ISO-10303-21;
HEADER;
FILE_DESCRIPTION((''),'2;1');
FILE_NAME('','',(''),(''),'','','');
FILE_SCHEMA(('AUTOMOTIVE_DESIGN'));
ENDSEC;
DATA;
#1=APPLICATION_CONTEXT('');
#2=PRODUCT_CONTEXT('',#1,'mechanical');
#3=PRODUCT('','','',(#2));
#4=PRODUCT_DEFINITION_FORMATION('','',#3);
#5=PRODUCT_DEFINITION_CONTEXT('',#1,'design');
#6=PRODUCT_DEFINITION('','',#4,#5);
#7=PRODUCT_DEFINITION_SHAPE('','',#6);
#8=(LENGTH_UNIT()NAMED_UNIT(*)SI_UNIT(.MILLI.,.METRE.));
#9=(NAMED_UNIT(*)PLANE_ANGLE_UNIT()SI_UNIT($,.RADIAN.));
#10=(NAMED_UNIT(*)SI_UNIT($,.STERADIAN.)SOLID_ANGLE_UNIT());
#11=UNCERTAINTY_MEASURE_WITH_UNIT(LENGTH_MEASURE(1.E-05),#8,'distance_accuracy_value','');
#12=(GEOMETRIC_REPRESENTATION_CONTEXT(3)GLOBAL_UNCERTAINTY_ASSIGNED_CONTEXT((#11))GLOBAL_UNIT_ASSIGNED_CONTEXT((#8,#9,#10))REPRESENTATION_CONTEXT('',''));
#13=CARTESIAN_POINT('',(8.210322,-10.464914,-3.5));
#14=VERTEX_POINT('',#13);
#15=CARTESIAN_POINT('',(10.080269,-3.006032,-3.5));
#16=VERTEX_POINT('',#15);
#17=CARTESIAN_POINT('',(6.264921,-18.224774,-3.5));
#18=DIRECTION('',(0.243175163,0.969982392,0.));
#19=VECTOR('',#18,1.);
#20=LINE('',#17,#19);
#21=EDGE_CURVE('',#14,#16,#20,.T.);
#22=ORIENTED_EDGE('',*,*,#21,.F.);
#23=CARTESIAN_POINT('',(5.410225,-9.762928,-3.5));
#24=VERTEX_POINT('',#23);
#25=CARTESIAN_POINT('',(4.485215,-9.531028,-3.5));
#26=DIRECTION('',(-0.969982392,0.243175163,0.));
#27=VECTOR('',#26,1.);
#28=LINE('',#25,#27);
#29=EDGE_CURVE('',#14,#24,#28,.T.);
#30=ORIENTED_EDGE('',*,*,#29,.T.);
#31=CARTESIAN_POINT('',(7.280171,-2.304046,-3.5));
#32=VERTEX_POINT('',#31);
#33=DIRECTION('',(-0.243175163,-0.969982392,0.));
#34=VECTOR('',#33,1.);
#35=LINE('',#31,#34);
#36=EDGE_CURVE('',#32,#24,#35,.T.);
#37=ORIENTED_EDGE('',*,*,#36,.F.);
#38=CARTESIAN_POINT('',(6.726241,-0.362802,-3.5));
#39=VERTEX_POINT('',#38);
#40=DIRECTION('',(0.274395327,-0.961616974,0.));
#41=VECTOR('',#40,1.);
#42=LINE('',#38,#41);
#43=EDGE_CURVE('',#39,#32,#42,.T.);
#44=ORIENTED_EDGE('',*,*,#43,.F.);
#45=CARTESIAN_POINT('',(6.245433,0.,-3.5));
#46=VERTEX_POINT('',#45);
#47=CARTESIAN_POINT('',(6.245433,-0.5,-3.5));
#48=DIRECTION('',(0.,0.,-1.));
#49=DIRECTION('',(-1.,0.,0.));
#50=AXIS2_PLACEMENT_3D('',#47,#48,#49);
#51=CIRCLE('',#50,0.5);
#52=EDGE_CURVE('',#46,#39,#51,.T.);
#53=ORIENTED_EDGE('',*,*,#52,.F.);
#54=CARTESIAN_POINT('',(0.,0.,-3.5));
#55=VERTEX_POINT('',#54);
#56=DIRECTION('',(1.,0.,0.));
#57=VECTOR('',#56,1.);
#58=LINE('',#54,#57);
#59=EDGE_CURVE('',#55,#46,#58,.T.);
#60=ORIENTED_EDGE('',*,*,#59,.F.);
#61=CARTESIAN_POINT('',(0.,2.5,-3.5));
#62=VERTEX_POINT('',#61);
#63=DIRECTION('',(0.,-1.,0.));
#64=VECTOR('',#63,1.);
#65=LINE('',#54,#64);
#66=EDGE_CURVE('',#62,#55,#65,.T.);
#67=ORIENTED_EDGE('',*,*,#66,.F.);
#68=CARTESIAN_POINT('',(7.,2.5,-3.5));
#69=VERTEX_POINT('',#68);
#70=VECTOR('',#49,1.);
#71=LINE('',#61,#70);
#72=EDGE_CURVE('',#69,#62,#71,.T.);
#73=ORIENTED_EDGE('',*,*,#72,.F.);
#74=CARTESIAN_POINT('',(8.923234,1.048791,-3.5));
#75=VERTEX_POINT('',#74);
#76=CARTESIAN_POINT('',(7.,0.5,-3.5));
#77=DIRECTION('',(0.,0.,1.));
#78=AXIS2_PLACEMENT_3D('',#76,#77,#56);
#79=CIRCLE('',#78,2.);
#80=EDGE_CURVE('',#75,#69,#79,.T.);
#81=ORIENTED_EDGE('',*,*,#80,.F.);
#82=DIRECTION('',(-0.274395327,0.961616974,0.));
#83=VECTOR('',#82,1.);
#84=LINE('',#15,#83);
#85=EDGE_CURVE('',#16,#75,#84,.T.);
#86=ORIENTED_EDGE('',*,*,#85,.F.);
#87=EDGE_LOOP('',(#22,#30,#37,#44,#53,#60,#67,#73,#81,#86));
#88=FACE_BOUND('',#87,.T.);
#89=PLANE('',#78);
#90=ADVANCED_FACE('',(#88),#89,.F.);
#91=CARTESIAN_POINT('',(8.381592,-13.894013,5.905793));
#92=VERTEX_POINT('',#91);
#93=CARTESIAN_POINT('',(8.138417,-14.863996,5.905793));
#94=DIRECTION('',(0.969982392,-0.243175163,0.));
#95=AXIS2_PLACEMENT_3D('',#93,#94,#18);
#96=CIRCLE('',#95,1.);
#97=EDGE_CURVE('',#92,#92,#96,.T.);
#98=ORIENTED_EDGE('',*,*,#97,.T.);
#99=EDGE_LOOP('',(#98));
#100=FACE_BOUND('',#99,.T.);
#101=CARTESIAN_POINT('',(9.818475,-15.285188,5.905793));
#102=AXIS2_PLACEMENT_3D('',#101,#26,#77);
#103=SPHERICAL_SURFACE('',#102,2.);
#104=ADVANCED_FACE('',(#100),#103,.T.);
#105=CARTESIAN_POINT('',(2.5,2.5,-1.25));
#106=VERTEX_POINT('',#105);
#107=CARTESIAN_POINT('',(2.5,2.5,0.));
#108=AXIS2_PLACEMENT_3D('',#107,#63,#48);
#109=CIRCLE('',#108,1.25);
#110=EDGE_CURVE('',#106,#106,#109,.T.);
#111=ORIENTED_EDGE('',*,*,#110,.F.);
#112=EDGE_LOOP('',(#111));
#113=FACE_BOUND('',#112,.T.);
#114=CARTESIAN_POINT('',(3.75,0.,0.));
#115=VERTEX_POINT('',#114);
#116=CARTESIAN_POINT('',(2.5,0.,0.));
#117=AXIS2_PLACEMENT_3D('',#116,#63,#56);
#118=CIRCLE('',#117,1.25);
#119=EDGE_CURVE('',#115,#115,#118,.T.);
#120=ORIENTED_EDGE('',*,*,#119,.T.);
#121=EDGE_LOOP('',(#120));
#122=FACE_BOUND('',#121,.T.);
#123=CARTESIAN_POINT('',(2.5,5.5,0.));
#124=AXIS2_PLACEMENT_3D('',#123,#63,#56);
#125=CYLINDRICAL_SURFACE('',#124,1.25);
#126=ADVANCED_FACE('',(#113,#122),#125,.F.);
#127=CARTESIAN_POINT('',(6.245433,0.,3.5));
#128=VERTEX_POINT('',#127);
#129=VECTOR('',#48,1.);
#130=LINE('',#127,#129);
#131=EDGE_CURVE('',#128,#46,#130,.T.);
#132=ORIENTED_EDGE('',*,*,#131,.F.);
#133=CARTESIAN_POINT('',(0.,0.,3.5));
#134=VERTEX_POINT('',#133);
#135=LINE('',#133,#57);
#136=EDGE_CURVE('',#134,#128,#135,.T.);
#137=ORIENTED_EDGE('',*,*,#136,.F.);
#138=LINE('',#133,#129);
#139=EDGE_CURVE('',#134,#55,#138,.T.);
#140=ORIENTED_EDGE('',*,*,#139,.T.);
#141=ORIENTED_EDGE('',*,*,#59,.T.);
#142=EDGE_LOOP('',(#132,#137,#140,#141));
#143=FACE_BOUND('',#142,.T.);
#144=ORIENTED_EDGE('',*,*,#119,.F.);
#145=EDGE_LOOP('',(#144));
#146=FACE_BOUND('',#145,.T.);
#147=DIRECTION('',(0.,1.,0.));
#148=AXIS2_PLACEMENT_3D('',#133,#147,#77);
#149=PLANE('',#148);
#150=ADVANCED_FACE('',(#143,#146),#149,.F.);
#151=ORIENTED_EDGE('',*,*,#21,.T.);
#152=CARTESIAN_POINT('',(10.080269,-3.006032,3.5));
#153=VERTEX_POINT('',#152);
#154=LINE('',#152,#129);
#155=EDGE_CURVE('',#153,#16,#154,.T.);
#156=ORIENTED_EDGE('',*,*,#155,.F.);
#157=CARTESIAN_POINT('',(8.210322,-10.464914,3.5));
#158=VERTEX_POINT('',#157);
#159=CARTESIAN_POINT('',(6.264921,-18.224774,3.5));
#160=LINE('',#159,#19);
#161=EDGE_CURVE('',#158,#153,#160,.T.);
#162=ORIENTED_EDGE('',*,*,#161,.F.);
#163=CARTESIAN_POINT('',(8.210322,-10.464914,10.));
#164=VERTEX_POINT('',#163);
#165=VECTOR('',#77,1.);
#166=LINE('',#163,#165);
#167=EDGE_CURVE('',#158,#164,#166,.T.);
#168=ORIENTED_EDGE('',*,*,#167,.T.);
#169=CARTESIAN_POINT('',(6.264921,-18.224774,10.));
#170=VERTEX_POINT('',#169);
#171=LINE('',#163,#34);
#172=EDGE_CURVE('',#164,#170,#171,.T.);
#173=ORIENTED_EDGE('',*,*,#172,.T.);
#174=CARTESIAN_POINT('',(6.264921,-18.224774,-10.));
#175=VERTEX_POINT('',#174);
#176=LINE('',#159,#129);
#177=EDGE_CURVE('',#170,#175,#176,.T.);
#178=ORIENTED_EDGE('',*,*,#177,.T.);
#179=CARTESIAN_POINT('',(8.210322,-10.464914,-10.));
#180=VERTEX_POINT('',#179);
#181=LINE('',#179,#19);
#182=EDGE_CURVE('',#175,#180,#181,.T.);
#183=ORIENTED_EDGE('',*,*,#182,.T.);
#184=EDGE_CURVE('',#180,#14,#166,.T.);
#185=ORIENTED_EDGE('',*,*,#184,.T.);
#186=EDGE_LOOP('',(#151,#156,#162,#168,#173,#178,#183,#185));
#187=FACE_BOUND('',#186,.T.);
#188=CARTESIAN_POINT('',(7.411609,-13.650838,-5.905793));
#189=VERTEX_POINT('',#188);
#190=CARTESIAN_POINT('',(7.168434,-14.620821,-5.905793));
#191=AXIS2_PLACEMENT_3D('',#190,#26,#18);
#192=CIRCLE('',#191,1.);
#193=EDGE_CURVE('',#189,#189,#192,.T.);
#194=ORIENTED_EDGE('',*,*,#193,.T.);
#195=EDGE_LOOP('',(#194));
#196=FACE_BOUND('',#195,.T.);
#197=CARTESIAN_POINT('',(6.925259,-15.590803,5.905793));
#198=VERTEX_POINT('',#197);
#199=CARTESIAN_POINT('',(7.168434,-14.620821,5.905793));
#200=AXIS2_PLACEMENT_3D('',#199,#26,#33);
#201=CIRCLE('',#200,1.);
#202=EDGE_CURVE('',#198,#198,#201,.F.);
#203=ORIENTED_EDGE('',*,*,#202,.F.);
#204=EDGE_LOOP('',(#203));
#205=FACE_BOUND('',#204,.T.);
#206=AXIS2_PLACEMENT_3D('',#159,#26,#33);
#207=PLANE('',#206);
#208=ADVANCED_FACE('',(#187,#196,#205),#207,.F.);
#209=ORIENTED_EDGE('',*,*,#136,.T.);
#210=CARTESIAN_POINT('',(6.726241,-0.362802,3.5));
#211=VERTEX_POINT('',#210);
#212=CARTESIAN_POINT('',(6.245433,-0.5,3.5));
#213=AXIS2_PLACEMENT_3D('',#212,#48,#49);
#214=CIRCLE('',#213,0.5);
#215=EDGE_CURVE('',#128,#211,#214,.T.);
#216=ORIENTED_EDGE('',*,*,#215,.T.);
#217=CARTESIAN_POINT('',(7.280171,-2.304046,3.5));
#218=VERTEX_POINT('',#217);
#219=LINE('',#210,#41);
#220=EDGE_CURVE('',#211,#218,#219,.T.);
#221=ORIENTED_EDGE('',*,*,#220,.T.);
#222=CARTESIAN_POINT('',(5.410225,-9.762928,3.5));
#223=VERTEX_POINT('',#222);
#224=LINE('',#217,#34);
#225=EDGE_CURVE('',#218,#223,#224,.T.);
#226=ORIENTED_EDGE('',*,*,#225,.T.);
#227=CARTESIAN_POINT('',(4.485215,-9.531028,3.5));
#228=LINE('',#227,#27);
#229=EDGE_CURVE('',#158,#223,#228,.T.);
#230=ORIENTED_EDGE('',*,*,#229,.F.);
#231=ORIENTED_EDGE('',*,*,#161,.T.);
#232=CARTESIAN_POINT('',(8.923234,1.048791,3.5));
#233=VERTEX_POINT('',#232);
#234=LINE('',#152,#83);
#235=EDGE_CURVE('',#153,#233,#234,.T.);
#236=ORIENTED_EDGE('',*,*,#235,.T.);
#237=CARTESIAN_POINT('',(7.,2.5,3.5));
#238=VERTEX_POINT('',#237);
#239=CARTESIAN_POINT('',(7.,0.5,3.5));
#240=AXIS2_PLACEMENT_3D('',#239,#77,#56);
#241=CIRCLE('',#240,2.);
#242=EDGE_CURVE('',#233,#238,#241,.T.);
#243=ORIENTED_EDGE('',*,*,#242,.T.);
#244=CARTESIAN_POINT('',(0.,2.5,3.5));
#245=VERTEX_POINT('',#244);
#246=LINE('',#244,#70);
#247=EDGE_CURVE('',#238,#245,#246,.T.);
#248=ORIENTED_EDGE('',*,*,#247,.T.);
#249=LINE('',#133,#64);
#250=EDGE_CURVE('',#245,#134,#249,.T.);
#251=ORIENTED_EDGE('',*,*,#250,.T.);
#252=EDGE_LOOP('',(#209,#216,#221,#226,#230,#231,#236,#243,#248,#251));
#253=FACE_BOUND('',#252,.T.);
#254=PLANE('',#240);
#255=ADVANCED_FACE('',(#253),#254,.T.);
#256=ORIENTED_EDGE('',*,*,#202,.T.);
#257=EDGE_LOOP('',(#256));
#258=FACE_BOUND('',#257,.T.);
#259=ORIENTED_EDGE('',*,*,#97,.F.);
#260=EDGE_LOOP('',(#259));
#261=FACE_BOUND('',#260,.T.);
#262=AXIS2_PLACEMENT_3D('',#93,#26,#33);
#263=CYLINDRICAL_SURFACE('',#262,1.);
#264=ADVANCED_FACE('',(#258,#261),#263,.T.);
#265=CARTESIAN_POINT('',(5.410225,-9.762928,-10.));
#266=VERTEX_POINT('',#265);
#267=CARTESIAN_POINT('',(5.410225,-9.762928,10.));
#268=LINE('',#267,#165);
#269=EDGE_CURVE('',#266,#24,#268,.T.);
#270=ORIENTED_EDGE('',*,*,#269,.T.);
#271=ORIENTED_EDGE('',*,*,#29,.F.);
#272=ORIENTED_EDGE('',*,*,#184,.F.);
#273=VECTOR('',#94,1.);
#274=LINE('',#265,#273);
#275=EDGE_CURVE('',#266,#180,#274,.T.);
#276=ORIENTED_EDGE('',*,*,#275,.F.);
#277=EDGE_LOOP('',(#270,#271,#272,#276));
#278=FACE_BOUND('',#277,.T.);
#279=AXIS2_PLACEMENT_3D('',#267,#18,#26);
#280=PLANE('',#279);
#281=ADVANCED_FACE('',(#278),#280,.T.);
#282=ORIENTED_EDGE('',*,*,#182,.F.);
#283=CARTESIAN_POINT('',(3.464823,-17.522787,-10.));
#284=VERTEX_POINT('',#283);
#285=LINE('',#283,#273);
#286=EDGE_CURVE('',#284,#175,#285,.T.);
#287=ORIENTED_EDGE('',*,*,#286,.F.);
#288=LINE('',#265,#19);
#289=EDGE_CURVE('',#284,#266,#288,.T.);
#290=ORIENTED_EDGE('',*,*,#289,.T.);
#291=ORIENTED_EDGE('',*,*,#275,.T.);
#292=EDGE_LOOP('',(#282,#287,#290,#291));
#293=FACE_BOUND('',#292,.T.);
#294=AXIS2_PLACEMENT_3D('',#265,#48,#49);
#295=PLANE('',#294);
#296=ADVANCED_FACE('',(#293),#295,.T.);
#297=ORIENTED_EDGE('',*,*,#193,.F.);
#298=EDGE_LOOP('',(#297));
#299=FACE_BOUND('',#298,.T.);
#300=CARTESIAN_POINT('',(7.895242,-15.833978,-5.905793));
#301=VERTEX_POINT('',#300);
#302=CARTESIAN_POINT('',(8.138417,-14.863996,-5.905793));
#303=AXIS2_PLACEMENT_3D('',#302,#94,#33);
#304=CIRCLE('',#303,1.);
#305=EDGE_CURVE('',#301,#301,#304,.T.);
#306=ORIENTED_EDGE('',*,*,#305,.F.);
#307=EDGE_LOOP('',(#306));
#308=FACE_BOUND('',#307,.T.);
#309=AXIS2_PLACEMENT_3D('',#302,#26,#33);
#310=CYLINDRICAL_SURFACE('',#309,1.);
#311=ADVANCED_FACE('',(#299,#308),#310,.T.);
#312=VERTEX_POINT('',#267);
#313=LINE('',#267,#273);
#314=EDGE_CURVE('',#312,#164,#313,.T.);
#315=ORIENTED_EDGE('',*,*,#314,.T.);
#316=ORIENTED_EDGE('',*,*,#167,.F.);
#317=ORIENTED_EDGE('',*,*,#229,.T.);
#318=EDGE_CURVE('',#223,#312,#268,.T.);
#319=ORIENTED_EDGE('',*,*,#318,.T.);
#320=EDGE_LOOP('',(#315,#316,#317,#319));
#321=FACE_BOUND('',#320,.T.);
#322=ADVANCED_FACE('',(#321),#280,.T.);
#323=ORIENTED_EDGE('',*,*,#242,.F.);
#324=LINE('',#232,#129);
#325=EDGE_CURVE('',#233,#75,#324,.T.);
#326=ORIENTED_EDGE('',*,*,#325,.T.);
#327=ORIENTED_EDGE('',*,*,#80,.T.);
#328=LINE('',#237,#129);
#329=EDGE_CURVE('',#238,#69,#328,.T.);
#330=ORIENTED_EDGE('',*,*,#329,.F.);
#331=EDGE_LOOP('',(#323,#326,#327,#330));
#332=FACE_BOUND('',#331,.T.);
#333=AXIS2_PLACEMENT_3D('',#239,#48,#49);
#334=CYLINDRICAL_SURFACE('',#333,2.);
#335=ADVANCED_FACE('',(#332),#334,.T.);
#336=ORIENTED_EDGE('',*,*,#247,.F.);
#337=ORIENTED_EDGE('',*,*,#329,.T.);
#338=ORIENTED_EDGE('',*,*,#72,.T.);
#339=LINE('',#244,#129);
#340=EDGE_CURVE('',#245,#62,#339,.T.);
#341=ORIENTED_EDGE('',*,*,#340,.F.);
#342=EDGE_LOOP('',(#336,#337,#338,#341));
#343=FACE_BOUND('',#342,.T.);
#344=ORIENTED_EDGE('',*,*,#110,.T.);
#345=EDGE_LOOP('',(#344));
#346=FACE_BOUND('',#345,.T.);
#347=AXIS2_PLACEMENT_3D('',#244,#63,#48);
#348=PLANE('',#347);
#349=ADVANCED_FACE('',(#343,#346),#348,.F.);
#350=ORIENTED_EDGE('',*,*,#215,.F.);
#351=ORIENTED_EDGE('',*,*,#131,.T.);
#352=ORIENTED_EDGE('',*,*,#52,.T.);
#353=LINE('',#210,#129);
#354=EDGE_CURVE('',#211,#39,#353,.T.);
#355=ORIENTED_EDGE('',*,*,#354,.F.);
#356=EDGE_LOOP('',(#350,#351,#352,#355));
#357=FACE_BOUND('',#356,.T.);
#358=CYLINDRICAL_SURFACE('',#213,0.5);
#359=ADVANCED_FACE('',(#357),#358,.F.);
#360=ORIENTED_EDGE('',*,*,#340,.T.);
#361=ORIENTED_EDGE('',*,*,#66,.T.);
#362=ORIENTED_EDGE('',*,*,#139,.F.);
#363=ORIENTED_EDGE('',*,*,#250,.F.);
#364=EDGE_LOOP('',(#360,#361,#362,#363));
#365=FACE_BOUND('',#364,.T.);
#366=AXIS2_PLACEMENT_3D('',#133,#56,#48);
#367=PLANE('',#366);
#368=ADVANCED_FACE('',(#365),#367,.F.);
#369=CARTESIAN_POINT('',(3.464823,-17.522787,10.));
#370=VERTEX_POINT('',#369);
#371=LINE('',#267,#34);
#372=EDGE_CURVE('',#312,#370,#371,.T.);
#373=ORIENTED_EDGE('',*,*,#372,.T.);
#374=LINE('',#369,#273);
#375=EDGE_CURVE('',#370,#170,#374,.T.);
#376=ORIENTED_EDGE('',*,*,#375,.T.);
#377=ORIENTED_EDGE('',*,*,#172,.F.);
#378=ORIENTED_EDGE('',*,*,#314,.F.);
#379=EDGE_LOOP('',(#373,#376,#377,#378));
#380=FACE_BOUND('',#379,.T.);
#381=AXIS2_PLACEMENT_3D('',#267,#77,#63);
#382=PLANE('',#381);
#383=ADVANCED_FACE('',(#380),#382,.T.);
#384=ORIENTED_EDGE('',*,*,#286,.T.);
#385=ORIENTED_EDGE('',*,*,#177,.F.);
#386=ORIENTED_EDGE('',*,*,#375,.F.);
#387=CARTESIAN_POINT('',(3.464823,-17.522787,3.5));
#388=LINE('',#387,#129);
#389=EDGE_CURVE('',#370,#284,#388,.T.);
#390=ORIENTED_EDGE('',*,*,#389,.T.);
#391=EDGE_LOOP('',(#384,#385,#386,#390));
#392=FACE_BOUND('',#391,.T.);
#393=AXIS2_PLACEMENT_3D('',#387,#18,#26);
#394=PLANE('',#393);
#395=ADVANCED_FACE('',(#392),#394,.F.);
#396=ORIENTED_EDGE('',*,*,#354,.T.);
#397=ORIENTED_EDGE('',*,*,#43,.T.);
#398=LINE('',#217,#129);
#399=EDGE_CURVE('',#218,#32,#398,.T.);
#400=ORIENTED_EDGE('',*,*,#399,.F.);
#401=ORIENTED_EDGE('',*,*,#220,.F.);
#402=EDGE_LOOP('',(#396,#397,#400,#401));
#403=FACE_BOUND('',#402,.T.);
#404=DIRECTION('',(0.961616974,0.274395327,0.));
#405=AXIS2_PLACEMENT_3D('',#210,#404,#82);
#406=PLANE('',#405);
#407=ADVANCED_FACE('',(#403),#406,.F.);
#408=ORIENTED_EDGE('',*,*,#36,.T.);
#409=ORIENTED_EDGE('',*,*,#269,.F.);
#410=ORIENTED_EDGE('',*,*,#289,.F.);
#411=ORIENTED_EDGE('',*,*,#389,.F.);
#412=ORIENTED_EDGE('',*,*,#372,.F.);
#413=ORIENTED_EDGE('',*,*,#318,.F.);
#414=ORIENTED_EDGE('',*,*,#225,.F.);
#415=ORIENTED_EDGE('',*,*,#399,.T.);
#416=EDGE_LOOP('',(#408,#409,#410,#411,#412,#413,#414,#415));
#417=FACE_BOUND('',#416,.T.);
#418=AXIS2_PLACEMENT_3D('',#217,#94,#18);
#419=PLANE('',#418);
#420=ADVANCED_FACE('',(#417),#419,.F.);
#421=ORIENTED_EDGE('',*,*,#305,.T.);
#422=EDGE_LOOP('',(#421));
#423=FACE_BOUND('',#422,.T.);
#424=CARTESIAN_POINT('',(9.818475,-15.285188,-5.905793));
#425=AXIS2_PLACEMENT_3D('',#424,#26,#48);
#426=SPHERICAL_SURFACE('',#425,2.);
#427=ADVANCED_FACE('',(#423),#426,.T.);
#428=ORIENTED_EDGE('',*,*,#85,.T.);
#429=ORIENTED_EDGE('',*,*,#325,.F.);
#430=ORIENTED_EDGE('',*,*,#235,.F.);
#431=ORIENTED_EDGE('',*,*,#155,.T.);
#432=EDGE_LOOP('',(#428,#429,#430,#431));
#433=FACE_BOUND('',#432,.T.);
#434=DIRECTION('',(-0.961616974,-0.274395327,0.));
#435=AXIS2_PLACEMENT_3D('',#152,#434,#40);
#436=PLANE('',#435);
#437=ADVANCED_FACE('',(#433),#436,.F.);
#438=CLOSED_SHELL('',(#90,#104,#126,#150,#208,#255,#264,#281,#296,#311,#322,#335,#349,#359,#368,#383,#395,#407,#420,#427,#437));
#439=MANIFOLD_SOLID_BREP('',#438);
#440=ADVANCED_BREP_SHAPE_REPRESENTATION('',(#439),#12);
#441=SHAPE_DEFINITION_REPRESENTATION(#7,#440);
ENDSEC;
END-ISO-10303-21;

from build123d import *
from build123d.topology import SkipClean

# Parameters (mm, degrees)
EXTRUDE_1_DEPTH     = 3.5
SKETCH_2_R          = 1.25
CUT_EXTRUDE_3_DEPTH = 5.5
SKETCH_3_W          = 20
SKETCH_3_H          = 8
EXTRUDE_2_DEPTH     = 2.886751
SKETCH_4_R          = 1
EXTRUDE_3_DEPTH     = 1


with BuildPart() as part:
    # 草图1 → 凸台-拉伸1 (new, symmetric)
    with BuildSketch(Plane.XY):
        with BuildLine():
            Line((0, 0), (6.245432753, 0))
            ThreePointArc((6.245432753, 0), (6.54659813, -0.100876691), (6.72624124, -0.362802336))
            Line((6.72624124, -0.362802336), (7.280170813, -2.304045596))
            Line((7.280170813, -2.304045596), (3.464823209, -17.52278731))
            Line((3.464823209, -17.52278731), (6.264921184, -18.224773538))
            Line((6.264921184, -18.224773538), (10.080268787, -3.006031824))
            Line((10.080268787, -3.006031824), (8.923233948, 1.048790655))
            ThreePointArc((8.923233948, 1.048790655), (8.204661507, 2.096493237), (7, 2.5))
            Line((7, 2.5), (0, 2.5))
            Line((0, 2.5), (0, 0))
        make_face()
    extrude(amount=EXTRUDE_1_DEPTH, both=True)

    # 草图2 → 切除-拉伸3 (cut)
    with BuildSketch(Plane.XZ):
        with Locations((2.5, 0)):
            Circle(SKETCH_2_R)
    extrude(amount=-CUT_EXTRUDE_3_DEPTH, mode=Mode.SUBTRACT)

    # 草图3 → 凸台-拉伸2 (add)
    with SkipClean():  # the faces are left unmerged after this step: merging them gives an invalid solid
        with BuildSketch(Plane(origin=(10.193230201, -2.555448877, 0), x_dir=(0, 0, -1), z_dir=(0.969982391695105, -0.24317516279719864, 0))):
            with Locations((0, -12.154236196)):
                Rectangle(SKETCH_3_W, SKETCH_3_H)
        extrude(amount=-EXTRUDE_2_DEPTH)

    # 草图4 → 凸台-拉伸3 (add)
    with SkipClean():  # the faces are left unmerged after this step: merging them gives an invalid solid
        with BuildSketch(Plane(origin=(10.193230201, -2.555448877, 0), x_dir=(0, 0, -1), z_dir=(0.969982391695105, -0.24317516279719864, 0))):
            with Locations(Location((-5.905792995, -12.438753462, 0), (0, 0, 270))):
                Circle(SKETCH_4_R)
        extrude_3 = extrude(amount=EXTRUDE_3_DEPTH)

    # 草图5 → 旋转1 (revolve)
    with SkipClean():  # the faces are left unmerged after this step: merging them gives an invalid solid
        with BuildSketch(Plane(origin=(-3.024795898, -12.065371833, 0), x_dir=(-0.969982391695105, 0.24317516279719864, 0), z_dir=(0.24317516279719864, 0.969982391695105, 0))):
            with BuildLine():
                Line((-11.508675506, 5.905792995), (-15.240726313, 5.905792995))
                ThreePointArc((-15.240726313, 5.905792995), (-13.758364403, 7.837644647), (-11.508675506, 6.905792995))
                Line((-11.508675506, 6.905792995), (-11.508675506, 5.905792995))
            make_face()
        revolve_1 = revolve(axis=Axis((8.138416694, -14.863995872, 5.905792995), (0.969982391695105, -0.24317516279719817, 0)))

    # 镜向1: 凸台-拉伸3, 旋转1 across plane
    with SkipClean():  # the faces are left unmerged after this step: merging them gives an invalid solid
        add(extrude_3.mirror(Plane.XY))
        add(revolve_1.mirror(Plane.XY))


solid = part.part
